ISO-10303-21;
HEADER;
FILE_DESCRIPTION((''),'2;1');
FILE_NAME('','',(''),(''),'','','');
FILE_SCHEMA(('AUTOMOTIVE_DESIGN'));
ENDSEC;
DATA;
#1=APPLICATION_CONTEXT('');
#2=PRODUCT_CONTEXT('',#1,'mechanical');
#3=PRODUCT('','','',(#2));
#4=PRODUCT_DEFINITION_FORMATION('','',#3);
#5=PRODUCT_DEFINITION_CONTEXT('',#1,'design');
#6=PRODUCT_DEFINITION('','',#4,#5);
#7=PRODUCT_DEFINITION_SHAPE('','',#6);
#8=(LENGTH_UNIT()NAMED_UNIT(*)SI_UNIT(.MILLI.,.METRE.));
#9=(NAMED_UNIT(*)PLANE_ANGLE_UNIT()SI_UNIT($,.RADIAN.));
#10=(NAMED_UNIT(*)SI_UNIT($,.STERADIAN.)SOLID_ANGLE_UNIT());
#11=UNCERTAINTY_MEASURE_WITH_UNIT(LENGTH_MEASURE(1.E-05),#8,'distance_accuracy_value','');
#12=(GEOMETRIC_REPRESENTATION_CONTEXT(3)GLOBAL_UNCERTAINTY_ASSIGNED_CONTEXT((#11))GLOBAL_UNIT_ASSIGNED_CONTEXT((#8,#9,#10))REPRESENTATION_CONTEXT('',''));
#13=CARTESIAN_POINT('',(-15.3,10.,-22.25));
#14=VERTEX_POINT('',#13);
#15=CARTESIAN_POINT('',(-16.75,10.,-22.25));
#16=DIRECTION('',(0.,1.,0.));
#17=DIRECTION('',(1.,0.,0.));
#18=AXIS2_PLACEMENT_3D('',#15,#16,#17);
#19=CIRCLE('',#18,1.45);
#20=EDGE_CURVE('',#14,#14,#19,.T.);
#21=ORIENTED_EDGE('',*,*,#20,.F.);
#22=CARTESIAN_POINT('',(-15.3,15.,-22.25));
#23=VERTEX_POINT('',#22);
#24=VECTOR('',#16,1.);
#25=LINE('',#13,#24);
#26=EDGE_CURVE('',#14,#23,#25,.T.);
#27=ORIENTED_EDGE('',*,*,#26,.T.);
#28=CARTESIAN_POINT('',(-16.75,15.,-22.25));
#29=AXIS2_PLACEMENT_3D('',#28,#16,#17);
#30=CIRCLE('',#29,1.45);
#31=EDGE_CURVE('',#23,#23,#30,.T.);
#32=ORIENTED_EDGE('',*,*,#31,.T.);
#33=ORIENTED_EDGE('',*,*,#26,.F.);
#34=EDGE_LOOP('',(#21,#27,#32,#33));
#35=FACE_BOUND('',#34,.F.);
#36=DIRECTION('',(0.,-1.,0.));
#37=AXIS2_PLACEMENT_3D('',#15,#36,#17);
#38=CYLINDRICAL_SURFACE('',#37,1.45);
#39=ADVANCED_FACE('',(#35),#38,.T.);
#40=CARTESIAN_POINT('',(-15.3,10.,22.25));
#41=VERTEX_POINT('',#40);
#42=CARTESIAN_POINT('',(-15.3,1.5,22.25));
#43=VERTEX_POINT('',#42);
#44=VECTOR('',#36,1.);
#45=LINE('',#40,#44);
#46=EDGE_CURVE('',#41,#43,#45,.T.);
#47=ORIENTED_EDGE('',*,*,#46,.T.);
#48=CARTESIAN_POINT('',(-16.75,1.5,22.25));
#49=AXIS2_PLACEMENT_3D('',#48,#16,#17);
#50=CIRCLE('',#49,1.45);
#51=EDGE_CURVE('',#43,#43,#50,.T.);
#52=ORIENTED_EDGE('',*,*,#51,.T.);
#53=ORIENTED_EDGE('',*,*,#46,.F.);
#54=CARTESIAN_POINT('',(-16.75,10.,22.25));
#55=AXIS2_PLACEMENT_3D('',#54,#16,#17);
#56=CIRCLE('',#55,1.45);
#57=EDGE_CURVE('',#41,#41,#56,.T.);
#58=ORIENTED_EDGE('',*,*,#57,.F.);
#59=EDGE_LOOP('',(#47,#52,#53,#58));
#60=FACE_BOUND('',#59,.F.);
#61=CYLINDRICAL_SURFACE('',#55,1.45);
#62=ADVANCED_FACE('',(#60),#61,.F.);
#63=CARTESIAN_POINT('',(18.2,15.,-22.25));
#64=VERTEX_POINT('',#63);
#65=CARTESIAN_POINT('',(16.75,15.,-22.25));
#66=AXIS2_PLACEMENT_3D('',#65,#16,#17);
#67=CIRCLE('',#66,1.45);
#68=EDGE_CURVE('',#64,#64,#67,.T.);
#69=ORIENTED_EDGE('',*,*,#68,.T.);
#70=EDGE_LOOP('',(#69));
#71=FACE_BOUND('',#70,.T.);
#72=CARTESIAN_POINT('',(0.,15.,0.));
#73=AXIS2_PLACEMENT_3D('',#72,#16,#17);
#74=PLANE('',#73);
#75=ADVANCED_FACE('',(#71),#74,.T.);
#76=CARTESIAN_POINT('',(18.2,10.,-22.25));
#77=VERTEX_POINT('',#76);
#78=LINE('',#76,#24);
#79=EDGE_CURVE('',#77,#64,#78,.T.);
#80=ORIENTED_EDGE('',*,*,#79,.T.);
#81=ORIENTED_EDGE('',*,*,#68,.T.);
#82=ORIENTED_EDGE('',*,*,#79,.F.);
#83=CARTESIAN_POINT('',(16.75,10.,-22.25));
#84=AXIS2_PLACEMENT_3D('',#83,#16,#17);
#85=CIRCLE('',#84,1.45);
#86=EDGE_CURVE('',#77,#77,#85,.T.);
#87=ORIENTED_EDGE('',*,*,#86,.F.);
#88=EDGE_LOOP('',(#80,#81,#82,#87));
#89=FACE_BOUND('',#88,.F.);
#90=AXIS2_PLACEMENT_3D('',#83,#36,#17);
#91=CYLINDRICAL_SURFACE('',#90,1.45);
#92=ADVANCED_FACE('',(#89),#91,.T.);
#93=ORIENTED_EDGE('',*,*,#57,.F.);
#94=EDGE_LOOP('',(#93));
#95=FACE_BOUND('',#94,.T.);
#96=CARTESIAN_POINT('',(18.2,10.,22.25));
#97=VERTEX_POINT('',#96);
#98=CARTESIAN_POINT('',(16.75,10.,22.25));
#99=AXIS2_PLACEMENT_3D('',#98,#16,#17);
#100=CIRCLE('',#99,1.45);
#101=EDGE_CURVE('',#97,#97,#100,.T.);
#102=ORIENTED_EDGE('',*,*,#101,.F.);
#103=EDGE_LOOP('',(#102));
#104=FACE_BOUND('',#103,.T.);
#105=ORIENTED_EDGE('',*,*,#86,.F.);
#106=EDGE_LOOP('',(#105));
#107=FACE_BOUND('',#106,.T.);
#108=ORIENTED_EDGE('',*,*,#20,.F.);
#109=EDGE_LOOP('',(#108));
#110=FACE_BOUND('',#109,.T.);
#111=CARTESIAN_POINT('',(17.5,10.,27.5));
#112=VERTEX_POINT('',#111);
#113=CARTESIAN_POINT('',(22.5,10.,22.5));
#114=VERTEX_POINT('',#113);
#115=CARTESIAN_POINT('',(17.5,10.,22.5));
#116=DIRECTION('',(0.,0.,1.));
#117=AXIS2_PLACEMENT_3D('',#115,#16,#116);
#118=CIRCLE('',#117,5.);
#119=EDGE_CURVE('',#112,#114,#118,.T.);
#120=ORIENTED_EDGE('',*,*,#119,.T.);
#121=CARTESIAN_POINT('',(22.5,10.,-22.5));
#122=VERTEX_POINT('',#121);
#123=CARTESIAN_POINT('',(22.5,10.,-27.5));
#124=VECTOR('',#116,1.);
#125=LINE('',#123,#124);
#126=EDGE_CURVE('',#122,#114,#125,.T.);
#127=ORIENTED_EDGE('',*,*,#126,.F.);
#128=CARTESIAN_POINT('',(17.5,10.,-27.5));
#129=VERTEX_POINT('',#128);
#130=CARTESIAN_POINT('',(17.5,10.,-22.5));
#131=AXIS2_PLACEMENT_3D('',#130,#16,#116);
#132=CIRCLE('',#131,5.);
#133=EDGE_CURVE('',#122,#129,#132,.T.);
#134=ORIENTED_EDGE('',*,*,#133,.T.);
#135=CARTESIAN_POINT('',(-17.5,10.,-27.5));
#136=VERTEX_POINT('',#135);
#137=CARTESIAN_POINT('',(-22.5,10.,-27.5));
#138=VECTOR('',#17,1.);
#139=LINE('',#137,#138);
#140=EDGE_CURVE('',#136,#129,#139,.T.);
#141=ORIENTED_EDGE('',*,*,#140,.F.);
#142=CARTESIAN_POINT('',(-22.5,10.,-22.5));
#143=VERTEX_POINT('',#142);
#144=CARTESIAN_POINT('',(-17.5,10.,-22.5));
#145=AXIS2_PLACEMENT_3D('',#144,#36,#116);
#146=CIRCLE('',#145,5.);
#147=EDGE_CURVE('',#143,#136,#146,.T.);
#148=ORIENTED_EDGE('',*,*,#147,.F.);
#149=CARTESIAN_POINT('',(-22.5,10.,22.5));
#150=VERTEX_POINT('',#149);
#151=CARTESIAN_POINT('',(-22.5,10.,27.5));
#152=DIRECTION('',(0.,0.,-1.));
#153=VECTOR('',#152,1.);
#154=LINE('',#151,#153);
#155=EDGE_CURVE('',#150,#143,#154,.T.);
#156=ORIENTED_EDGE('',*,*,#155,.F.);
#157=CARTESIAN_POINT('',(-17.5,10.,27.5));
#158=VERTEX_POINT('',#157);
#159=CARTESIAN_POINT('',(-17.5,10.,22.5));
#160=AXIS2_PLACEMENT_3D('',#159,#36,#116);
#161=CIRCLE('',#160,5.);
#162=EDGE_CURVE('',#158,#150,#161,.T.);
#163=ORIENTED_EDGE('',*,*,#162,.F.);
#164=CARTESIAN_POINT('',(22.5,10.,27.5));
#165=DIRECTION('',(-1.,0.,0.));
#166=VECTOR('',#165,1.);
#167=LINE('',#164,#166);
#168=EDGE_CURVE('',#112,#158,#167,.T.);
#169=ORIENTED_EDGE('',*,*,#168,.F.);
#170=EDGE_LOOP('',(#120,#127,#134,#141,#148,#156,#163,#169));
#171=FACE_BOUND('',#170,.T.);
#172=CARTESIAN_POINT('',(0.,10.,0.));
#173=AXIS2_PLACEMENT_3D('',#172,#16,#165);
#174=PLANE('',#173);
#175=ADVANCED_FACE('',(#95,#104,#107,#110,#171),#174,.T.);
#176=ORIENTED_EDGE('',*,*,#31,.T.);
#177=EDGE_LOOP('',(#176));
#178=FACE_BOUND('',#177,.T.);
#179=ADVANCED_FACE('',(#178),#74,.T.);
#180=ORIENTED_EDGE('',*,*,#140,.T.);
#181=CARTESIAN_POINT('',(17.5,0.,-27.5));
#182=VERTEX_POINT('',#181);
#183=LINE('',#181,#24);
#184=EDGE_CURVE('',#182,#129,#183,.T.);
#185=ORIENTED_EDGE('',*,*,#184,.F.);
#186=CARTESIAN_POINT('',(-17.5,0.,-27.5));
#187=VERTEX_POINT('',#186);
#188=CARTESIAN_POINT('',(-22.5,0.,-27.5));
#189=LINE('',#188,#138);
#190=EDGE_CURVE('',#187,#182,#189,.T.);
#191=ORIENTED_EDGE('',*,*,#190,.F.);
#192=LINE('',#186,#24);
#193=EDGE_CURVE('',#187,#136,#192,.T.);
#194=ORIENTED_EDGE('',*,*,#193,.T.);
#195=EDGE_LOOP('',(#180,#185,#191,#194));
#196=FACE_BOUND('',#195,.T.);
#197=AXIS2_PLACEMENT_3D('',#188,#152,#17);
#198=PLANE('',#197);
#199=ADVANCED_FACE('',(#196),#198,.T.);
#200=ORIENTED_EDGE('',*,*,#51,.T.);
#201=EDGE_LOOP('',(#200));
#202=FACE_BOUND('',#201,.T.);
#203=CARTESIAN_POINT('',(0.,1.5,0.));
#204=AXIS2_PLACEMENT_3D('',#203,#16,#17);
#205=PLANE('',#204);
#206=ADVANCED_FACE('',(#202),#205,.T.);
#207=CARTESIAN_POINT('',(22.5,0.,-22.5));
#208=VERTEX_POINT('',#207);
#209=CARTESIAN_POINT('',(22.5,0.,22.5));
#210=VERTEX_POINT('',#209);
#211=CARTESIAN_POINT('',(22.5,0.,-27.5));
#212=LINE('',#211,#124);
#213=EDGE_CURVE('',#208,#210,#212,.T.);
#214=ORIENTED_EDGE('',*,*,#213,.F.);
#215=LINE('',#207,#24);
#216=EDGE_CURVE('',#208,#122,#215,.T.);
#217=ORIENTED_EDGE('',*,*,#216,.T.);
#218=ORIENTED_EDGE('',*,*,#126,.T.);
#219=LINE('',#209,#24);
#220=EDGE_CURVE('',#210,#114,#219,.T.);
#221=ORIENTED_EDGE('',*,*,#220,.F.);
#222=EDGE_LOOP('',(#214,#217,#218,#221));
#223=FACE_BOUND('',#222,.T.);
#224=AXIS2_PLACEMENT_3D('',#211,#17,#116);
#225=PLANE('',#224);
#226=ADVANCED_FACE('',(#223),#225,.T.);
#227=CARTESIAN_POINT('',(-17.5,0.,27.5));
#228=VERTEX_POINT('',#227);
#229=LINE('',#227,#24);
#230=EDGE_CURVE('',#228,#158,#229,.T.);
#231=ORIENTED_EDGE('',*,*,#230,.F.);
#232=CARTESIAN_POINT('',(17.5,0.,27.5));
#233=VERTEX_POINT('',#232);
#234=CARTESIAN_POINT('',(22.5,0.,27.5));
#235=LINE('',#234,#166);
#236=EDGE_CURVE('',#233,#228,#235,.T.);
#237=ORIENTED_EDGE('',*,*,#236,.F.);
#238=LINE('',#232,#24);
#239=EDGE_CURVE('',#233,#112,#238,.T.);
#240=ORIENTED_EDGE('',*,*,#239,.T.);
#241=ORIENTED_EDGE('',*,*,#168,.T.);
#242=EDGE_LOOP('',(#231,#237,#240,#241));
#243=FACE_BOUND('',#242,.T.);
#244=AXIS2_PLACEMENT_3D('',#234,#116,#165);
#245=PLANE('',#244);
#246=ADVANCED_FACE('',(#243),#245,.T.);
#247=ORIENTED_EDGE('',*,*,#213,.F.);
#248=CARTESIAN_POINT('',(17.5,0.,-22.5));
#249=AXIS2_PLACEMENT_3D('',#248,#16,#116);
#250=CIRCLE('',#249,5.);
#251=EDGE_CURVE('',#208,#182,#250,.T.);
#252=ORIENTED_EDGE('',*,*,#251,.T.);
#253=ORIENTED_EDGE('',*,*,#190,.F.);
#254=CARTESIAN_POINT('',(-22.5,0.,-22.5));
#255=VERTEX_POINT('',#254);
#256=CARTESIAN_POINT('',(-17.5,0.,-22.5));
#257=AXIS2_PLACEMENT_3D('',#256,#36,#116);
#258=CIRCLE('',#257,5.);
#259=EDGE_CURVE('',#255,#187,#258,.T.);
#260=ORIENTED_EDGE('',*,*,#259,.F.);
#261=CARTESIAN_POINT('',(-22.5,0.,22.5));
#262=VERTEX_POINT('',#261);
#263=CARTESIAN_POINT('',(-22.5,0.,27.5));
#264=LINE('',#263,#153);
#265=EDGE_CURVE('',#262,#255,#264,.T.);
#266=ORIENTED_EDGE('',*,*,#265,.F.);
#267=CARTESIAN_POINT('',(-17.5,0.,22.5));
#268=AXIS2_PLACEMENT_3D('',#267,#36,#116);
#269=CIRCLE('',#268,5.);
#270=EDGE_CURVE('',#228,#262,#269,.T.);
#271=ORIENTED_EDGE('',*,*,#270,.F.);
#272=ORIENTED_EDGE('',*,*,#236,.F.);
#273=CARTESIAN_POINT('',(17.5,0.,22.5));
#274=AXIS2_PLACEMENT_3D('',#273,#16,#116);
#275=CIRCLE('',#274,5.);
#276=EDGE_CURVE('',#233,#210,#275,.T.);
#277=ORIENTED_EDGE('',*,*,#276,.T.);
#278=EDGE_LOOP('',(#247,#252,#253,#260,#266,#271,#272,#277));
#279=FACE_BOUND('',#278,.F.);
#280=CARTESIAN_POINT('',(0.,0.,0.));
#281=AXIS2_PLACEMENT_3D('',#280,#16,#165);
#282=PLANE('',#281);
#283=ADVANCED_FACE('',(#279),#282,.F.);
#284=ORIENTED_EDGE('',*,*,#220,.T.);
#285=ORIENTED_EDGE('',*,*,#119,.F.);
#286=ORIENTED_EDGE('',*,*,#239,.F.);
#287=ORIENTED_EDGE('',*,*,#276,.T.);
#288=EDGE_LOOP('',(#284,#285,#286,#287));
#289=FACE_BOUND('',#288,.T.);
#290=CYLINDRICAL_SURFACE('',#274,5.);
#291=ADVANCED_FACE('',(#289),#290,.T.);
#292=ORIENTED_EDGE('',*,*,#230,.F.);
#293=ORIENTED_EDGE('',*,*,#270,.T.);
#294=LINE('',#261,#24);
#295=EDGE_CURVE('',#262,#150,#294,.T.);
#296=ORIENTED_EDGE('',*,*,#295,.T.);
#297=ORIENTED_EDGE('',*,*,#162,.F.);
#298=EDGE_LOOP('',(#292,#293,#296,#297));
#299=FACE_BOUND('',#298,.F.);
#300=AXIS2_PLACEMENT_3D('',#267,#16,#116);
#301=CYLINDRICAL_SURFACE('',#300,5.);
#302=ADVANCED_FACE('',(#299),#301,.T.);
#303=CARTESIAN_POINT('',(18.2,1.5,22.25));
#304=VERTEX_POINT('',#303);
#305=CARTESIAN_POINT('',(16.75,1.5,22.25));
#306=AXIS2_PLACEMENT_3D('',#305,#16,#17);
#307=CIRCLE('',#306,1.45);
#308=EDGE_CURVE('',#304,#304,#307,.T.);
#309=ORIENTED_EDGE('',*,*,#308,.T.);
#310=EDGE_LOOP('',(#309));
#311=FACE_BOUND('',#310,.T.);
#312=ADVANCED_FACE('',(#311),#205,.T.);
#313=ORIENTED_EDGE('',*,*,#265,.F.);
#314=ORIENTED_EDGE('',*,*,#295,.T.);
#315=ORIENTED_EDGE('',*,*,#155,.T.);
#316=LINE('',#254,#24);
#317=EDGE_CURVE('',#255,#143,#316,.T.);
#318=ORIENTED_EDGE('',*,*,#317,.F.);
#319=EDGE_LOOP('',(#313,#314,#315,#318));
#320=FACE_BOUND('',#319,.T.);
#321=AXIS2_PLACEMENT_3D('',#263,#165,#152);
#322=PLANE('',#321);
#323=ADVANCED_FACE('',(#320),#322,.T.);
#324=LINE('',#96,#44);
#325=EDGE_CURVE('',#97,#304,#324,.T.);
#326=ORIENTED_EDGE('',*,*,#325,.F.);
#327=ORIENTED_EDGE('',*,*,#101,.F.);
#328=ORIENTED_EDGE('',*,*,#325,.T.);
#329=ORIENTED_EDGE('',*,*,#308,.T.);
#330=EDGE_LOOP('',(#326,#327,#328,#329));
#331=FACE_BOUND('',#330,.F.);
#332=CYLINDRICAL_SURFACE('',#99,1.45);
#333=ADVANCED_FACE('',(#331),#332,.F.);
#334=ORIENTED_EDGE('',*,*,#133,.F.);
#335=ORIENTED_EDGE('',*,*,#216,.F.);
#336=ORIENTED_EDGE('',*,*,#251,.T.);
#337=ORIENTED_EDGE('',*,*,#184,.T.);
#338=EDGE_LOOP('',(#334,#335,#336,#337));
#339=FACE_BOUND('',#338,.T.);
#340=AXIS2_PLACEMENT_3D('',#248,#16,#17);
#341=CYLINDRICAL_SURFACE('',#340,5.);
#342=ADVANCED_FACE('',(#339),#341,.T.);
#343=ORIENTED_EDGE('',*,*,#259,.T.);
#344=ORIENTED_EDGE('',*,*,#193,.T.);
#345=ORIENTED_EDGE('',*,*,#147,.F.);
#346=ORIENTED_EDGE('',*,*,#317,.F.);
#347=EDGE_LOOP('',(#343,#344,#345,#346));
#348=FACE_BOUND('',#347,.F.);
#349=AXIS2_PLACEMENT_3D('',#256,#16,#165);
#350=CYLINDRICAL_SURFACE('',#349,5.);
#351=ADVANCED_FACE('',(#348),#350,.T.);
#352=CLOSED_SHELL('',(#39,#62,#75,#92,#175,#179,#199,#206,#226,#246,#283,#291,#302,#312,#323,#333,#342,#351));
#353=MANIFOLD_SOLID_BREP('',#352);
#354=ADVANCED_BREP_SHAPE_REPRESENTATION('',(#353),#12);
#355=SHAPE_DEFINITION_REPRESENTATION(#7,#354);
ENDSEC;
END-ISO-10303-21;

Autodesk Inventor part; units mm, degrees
ref_plane "YZ Plane" through (0, 0, 0) normal (1, 0, 0) x (0, 1, 0)
ref_plane "XZ Plane" through (0, 0, 0) normal (0, 1, 0) x (-1, 0, 0)
ref_plane "XY Plane" through (0, 0, 0) normal (0, 0, 1) x (1, 0, 0)
sketch "Esboço1" plane through (0, 0, 0) normal (0, 1, 0) x (-1, 0, 0)
  line L0 (-22.5, 27.5) -> (22.5, 27.5)
  line L1 (22.5, 27.5) -> (22.5, -27.5)
  line L2 (22.5, -27.5) -> (-22.5, -27.5)
  line L3 (-22.5, -27.5) -> (-22.5, 27.5)
  line L4 (-22.5, 27.5) -> (22.5, -27.5) construction
  line L5 (22.5, 27.5) -> (-22.5, -27.5) construction
  circle A0 centre (16.75, -22.25) radius 1.45
  circle A1 centre (16.75, 22.25) radius 1.45
  circle A2 centre (-16.75, 22.25) radius 1.45
  circle A3 centre (-16.75, -22.25) radius 1.45
  line L6 (-16.75, 22.25) -> (-16.75, -22.25) construction
  line L7 (-16.75, -22.25) -> (16.75, -22.25) construction
  line L8 (16.75, -22.25) -> (16.75, 22.25) construction
  line L9 (16.75, 22.25) -> (-16.75, 22.25) construction
  line L10 (0, 0) -> (9.1939, 0)
  line L11 (0, 0) -> (0, -6.5379)
  line L12 (16.75, 0) -> (30.08, 0) construction
  line L13 (0, 22.25) -> (0, 28.3312) construction
  dimension "d0" = 2.9
  dimension "d1" = 2.9
  dimension "d2" = 2.9
  dimension "d3" = 2.9
  dimension "d4" = 33.5
  dimension "d5" = 44.5
  dimension "d6" = 55
  dimension "d7" = 45
extrude "Extrusão1" add sketch "Esboço1" along normal blind 10 contours L0 L1 L2 L3 | A0 | A1 | A2 | A3
sketch "Esboço2" plane through (0, 10, 0) normal (0, 1, 0) x (1, 0, 0)
  circle A0 centre (16.75, -22.25) radius 1.45 projected
  circle A1 centre (-16.75, -22.25) radius 1.45 projected
  circle A2 centre (16.75, 22.25) radius 1.45 projected
  circle A3 centre (-16.75, 22.25) radius 1.45 projected
  point P0 (0, 0)
extrude "Extrusão2" cut sketch "Esboço2" against normal blind 8.5 contours A0 | A1
extrude "Extrusão3" add sketch "Esboço2" along normal blind 5 contours A2 | A3
fillet "Arredondamento1" radius 5 4 edges at (22.5, 5, 27.5) (22.5, 5, -27.5) (-22.5, 5, -27.5) (-22.5, 5, 27.5)
properties part number "BASE RELE"
